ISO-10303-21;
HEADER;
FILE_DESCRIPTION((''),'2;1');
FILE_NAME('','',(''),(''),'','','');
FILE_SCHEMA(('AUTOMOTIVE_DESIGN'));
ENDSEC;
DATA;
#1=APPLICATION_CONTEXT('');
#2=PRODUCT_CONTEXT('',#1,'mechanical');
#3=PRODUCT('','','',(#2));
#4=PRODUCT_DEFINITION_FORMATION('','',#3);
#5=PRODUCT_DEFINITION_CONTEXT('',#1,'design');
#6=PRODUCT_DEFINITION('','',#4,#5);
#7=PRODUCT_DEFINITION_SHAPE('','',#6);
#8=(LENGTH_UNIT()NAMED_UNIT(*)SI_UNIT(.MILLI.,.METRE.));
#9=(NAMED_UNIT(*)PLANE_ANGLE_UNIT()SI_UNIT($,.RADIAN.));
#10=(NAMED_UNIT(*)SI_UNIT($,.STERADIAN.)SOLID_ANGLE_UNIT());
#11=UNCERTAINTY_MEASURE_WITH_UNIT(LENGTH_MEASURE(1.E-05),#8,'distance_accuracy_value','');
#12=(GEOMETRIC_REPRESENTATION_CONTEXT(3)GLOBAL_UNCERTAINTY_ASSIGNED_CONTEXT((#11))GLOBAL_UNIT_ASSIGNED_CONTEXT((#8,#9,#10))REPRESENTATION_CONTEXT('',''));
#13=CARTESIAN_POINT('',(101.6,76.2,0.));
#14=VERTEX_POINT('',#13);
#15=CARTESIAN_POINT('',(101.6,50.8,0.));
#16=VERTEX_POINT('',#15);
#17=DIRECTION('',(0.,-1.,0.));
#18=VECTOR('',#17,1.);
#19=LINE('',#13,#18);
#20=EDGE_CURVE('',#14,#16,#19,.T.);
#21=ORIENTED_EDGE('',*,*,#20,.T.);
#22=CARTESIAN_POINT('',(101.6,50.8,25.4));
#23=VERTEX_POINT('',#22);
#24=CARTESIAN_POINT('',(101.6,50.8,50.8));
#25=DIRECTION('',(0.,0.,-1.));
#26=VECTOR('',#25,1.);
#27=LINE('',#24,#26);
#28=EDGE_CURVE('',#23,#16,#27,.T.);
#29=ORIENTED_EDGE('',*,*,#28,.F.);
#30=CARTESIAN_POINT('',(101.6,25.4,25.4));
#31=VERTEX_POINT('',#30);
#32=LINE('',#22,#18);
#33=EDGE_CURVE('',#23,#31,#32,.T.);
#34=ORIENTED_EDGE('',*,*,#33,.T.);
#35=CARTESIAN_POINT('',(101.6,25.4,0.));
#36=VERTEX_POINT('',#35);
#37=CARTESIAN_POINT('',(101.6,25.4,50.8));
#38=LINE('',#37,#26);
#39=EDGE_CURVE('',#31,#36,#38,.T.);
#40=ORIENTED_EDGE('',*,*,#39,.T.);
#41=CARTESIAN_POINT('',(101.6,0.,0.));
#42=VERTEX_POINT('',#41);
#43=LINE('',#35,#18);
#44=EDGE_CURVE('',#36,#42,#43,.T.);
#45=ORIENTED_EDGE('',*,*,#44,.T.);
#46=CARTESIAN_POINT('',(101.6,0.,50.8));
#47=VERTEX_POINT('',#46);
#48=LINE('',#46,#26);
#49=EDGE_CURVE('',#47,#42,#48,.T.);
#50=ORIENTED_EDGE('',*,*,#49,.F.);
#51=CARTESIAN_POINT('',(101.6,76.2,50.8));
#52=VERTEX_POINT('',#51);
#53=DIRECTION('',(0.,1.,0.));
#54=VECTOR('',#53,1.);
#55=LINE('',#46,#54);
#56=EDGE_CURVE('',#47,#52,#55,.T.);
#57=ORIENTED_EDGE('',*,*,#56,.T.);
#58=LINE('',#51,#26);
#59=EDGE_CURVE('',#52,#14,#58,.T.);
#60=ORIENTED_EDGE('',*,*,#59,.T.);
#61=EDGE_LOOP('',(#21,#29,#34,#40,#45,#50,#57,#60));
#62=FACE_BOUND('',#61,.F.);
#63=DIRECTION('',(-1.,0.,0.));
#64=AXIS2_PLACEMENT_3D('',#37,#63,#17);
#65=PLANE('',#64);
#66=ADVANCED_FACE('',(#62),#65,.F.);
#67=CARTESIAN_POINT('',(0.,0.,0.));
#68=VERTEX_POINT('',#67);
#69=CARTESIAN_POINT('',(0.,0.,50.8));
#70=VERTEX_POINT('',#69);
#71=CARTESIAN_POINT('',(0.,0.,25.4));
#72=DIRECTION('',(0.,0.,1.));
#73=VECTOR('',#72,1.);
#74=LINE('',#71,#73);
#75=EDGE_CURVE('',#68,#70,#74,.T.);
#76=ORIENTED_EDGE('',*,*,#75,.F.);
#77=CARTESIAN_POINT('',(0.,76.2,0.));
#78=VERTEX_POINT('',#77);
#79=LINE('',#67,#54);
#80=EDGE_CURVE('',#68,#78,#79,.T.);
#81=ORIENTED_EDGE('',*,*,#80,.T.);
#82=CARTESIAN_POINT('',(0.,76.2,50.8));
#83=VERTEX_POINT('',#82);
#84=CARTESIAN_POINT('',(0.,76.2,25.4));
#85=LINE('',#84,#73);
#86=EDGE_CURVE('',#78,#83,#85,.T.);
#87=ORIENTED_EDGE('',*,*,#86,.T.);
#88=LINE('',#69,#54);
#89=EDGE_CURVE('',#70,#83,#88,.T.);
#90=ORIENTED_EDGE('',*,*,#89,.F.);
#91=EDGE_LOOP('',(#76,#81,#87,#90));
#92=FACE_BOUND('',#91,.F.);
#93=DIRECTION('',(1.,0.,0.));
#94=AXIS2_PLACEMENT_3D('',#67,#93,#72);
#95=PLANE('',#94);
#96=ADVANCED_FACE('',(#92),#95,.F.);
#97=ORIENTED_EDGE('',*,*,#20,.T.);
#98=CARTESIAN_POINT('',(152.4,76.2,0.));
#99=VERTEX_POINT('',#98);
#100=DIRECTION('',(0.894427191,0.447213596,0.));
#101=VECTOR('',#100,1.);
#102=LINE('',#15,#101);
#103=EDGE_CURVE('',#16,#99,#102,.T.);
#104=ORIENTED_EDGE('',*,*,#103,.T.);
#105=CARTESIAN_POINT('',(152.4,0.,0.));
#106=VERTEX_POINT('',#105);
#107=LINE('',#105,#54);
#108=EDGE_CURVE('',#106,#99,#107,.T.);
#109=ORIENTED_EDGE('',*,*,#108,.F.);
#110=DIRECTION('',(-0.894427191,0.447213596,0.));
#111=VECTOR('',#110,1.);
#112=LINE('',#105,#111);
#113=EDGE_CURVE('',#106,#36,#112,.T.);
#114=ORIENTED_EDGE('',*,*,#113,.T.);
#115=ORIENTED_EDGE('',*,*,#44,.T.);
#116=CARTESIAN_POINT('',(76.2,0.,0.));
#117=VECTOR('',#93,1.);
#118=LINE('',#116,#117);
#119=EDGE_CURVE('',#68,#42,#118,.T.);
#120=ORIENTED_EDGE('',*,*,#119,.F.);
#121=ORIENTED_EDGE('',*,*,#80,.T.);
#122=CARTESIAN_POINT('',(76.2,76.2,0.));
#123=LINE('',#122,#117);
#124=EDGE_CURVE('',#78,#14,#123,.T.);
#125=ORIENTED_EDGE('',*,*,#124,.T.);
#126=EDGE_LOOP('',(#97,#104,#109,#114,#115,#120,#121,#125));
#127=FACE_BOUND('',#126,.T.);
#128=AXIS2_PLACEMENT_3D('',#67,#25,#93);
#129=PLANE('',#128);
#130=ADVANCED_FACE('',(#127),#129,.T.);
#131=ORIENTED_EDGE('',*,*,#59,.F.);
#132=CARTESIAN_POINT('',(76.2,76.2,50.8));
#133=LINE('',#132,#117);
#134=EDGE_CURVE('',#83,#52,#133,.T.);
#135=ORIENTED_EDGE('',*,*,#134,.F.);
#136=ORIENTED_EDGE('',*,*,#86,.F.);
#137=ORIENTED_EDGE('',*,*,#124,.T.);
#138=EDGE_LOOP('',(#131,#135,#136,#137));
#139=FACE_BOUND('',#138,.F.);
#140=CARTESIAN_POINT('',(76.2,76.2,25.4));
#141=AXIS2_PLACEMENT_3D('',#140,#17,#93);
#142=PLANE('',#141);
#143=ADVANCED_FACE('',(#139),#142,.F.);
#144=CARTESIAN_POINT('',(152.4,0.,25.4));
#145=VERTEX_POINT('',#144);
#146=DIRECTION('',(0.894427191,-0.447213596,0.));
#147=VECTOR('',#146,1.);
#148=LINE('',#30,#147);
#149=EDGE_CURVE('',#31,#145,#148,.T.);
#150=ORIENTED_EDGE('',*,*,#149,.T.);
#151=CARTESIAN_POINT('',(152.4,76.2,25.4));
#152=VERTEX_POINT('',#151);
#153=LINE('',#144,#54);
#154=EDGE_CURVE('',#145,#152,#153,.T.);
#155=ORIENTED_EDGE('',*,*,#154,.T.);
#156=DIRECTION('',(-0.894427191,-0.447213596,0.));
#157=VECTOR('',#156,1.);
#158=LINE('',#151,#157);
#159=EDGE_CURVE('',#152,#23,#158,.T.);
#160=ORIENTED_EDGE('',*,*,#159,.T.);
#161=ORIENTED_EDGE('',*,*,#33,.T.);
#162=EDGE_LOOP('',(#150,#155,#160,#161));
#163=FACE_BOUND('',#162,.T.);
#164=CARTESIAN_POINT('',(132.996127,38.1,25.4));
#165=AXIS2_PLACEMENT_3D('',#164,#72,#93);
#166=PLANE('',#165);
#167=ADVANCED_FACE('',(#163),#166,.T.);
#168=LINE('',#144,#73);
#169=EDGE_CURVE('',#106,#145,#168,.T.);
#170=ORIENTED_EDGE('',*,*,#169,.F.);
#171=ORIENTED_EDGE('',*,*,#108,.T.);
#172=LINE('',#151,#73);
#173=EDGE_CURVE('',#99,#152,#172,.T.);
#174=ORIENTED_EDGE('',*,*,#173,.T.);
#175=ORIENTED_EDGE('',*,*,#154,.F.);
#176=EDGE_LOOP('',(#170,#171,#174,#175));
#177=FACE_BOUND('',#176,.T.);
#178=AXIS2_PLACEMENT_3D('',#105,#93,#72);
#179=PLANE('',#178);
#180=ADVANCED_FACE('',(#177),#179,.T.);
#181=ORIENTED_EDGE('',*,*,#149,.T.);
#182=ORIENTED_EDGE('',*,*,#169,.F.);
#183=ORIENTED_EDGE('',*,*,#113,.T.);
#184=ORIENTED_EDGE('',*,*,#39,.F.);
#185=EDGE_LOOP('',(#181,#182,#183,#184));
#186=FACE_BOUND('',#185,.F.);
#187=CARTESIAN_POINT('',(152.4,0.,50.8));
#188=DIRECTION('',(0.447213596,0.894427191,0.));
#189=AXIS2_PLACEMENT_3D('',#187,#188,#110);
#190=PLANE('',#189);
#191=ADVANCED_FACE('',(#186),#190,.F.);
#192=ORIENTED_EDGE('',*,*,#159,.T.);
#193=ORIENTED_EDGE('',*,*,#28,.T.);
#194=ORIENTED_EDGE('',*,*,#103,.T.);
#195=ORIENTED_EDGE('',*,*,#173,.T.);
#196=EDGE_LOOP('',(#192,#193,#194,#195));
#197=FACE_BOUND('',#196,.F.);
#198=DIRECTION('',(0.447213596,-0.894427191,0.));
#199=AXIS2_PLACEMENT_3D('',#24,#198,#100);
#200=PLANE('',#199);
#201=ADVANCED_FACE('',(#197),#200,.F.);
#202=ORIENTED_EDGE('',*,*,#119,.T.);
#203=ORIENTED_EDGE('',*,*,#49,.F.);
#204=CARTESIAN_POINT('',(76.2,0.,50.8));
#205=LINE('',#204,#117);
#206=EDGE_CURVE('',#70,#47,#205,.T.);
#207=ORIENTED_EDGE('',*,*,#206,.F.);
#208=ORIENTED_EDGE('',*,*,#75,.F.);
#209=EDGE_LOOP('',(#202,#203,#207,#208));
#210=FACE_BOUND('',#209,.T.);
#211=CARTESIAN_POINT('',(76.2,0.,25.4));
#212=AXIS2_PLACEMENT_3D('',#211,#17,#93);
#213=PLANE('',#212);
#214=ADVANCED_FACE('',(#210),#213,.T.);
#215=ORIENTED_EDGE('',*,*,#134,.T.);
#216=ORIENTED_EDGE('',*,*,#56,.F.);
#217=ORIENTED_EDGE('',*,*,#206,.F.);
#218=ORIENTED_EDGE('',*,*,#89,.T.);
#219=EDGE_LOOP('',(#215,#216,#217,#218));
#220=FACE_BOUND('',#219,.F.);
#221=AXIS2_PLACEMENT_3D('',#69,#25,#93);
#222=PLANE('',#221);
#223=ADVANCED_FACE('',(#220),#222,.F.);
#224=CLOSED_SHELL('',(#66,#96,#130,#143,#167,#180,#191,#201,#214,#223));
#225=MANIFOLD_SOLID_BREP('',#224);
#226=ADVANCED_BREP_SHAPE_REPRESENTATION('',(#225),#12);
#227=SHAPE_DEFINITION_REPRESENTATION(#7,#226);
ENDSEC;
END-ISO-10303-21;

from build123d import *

# Parameters (mm, degrees)
F0_W     = 152.4
F0_H     = 50.8
F1_DEPTH = 76.2
F3_DEPTH = 50.8
F5_DEPTH = 25.4


with BuildPart() as f1:
    # F0 (on Front) → F1 (new body)
    with BuildSketch(Plane.XZ):
        with Locations((76.2, 25.4)):
            Rectangle(F0_W, F0_H)
    extrude(amount=-F1_DEPTH)

    # F2 (on face) → F3 (cut)
    with BuildSketch(Plane.XY.offset(50.8)):
        Polygon((101.6, 25.4), (101.6, 0), (152.4, 0), align=None)
        Polygon((152.4, 76.2), (101.6, 76.2), (101.6, 50.8), align=None)
    extrude(amount=-F3_DEPTH, mode=Mode.SUBTRACT)

    # F4 (on face) → F5 (cut)
    with BuildSketch(Plane.XY.offset(50.8)):
        Polygon((152.4, 76.2), (101.6, 50.8), (101.6, 25.4), (152.4, 0), align=None)
    extrude(amount=-F5_DEPTH, mode=Mode.SUBTRACT)


solid = f1.part
